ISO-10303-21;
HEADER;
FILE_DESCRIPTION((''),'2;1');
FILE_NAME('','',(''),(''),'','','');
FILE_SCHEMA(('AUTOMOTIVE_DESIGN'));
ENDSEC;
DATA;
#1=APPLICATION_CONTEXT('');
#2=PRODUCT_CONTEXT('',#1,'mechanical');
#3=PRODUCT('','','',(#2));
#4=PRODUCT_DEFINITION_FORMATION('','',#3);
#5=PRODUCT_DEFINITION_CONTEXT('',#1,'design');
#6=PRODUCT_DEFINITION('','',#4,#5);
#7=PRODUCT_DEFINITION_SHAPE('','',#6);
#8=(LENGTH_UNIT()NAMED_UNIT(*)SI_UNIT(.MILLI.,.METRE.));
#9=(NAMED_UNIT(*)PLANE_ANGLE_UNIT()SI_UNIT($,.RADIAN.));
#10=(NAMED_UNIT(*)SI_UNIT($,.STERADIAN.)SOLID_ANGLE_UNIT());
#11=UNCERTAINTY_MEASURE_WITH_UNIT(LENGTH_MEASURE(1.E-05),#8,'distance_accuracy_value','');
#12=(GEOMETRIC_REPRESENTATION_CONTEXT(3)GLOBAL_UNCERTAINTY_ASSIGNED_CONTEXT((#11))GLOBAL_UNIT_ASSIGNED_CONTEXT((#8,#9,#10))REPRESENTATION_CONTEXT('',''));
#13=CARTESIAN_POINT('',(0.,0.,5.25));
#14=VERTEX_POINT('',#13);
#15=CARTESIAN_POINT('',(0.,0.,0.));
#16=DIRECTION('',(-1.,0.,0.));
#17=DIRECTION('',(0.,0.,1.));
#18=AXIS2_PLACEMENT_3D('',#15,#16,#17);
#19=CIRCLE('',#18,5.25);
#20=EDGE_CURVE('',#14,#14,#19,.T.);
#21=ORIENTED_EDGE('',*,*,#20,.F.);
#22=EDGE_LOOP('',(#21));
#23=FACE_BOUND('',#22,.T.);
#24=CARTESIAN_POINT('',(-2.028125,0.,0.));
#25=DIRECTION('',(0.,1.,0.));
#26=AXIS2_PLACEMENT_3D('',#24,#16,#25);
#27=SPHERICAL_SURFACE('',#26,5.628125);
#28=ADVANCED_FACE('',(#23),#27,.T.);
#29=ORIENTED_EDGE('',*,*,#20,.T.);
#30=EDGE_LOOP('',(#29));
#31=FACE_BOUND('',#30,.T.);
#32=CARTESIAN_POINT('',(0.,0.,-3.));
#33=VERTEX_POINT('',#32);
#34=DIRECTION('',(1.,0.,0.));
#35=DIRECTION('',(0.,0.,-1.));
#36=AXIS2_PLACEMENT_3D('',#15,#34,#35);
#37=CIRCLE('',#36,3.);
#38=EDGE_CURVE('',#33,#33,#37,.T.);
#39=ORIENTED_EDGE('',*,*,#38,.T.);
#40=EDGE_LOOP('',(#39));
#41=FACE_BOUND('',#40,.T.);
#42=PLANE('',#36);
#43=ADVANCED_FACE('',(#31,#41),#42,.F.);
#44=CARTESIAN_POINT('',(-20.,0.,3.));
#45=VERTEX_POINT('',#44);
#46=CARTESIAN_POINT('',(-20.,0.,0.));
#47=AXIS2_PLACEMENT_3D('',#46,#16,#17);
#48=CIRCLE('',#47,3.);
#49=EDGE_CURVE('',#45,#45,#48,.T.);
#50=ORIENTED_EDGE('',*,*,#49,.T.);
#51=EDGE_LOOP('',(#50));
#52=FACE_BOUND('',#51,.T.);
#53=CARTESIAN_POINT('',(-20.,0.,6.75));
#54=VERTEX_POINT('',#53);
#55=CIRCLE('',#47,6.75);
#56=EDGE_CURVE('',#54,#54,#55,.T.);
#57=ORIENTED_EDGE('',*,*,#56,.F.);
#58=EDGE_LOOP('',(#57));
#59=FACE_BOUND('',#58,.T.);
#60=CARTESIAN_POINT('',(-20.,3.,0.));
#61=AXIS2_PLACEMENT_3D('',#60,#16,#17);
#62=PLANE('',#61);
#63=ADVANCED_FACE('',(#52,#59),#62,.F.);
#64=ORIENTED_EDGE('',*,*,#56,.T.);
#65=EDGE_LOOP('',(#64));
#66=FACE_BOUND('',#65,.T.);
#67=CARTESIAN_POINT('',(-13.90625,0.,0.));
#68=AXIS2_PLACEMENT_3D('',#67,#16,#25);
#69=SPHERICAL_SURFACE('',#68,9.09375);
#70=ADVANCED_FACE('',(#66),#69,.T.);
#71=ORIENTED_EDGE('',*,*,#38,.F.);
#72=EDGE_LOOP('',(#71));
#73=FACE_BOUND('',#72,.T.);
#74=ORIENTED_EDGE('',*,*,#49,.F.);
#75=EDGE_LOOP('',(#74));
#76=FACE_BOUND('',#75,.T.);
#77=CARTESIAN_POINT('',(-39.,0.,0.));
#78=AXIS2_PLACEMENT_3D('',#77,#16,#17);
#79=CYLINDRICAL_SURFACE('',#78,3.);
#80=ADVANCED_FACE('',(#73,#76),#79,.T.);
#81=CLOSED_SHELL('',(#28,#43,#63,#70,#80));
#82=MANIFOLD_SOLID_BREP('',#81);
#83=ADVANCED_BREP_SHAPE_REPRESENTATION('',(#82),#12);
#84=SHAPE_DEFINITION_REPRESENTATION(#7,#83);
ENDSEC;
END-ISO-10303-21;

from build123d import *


with BuildPart() as part:
    # Sketch1 → Base-Revolve (revolve)
    with BuildSketch(Plane.XY, mode=Mode.PRIVATE) as base_revolve_sk:
        with BuildLine():
            Line((-23, 0), (0, 0))
            Line((0, 0), (0, 3))
            Line((0, 3), (-20, 3))
            Line((-20, 3), (-20, 6.75))
            ThreePointArc((-20, 6.75), (-22.21622377, 3.693321676), (-23, 0))
        make_face()
    revolve(base_revolve_sk.sketch.rotate(Axis((-39, 0, 0), (1, 0, 0)), 90), axis=Axis((-39, 0, 0), (1, 0, 0)))

    # Sketch2 → HeadTypeA (revolve)
    with BuildSketch(Plane.XY):
        with BuildLine():
            Line((0, 0), (3.6, 0))
            ThreePointArc((3.6, 0), (2.613552069, 3.182864276), (0, 5.25))
            Line((0, 5.25), (0, 0))
        make_face()
    revolve(axis=Axis((-49, 0, 0), (1, 0, 0)))


solid = part.part
